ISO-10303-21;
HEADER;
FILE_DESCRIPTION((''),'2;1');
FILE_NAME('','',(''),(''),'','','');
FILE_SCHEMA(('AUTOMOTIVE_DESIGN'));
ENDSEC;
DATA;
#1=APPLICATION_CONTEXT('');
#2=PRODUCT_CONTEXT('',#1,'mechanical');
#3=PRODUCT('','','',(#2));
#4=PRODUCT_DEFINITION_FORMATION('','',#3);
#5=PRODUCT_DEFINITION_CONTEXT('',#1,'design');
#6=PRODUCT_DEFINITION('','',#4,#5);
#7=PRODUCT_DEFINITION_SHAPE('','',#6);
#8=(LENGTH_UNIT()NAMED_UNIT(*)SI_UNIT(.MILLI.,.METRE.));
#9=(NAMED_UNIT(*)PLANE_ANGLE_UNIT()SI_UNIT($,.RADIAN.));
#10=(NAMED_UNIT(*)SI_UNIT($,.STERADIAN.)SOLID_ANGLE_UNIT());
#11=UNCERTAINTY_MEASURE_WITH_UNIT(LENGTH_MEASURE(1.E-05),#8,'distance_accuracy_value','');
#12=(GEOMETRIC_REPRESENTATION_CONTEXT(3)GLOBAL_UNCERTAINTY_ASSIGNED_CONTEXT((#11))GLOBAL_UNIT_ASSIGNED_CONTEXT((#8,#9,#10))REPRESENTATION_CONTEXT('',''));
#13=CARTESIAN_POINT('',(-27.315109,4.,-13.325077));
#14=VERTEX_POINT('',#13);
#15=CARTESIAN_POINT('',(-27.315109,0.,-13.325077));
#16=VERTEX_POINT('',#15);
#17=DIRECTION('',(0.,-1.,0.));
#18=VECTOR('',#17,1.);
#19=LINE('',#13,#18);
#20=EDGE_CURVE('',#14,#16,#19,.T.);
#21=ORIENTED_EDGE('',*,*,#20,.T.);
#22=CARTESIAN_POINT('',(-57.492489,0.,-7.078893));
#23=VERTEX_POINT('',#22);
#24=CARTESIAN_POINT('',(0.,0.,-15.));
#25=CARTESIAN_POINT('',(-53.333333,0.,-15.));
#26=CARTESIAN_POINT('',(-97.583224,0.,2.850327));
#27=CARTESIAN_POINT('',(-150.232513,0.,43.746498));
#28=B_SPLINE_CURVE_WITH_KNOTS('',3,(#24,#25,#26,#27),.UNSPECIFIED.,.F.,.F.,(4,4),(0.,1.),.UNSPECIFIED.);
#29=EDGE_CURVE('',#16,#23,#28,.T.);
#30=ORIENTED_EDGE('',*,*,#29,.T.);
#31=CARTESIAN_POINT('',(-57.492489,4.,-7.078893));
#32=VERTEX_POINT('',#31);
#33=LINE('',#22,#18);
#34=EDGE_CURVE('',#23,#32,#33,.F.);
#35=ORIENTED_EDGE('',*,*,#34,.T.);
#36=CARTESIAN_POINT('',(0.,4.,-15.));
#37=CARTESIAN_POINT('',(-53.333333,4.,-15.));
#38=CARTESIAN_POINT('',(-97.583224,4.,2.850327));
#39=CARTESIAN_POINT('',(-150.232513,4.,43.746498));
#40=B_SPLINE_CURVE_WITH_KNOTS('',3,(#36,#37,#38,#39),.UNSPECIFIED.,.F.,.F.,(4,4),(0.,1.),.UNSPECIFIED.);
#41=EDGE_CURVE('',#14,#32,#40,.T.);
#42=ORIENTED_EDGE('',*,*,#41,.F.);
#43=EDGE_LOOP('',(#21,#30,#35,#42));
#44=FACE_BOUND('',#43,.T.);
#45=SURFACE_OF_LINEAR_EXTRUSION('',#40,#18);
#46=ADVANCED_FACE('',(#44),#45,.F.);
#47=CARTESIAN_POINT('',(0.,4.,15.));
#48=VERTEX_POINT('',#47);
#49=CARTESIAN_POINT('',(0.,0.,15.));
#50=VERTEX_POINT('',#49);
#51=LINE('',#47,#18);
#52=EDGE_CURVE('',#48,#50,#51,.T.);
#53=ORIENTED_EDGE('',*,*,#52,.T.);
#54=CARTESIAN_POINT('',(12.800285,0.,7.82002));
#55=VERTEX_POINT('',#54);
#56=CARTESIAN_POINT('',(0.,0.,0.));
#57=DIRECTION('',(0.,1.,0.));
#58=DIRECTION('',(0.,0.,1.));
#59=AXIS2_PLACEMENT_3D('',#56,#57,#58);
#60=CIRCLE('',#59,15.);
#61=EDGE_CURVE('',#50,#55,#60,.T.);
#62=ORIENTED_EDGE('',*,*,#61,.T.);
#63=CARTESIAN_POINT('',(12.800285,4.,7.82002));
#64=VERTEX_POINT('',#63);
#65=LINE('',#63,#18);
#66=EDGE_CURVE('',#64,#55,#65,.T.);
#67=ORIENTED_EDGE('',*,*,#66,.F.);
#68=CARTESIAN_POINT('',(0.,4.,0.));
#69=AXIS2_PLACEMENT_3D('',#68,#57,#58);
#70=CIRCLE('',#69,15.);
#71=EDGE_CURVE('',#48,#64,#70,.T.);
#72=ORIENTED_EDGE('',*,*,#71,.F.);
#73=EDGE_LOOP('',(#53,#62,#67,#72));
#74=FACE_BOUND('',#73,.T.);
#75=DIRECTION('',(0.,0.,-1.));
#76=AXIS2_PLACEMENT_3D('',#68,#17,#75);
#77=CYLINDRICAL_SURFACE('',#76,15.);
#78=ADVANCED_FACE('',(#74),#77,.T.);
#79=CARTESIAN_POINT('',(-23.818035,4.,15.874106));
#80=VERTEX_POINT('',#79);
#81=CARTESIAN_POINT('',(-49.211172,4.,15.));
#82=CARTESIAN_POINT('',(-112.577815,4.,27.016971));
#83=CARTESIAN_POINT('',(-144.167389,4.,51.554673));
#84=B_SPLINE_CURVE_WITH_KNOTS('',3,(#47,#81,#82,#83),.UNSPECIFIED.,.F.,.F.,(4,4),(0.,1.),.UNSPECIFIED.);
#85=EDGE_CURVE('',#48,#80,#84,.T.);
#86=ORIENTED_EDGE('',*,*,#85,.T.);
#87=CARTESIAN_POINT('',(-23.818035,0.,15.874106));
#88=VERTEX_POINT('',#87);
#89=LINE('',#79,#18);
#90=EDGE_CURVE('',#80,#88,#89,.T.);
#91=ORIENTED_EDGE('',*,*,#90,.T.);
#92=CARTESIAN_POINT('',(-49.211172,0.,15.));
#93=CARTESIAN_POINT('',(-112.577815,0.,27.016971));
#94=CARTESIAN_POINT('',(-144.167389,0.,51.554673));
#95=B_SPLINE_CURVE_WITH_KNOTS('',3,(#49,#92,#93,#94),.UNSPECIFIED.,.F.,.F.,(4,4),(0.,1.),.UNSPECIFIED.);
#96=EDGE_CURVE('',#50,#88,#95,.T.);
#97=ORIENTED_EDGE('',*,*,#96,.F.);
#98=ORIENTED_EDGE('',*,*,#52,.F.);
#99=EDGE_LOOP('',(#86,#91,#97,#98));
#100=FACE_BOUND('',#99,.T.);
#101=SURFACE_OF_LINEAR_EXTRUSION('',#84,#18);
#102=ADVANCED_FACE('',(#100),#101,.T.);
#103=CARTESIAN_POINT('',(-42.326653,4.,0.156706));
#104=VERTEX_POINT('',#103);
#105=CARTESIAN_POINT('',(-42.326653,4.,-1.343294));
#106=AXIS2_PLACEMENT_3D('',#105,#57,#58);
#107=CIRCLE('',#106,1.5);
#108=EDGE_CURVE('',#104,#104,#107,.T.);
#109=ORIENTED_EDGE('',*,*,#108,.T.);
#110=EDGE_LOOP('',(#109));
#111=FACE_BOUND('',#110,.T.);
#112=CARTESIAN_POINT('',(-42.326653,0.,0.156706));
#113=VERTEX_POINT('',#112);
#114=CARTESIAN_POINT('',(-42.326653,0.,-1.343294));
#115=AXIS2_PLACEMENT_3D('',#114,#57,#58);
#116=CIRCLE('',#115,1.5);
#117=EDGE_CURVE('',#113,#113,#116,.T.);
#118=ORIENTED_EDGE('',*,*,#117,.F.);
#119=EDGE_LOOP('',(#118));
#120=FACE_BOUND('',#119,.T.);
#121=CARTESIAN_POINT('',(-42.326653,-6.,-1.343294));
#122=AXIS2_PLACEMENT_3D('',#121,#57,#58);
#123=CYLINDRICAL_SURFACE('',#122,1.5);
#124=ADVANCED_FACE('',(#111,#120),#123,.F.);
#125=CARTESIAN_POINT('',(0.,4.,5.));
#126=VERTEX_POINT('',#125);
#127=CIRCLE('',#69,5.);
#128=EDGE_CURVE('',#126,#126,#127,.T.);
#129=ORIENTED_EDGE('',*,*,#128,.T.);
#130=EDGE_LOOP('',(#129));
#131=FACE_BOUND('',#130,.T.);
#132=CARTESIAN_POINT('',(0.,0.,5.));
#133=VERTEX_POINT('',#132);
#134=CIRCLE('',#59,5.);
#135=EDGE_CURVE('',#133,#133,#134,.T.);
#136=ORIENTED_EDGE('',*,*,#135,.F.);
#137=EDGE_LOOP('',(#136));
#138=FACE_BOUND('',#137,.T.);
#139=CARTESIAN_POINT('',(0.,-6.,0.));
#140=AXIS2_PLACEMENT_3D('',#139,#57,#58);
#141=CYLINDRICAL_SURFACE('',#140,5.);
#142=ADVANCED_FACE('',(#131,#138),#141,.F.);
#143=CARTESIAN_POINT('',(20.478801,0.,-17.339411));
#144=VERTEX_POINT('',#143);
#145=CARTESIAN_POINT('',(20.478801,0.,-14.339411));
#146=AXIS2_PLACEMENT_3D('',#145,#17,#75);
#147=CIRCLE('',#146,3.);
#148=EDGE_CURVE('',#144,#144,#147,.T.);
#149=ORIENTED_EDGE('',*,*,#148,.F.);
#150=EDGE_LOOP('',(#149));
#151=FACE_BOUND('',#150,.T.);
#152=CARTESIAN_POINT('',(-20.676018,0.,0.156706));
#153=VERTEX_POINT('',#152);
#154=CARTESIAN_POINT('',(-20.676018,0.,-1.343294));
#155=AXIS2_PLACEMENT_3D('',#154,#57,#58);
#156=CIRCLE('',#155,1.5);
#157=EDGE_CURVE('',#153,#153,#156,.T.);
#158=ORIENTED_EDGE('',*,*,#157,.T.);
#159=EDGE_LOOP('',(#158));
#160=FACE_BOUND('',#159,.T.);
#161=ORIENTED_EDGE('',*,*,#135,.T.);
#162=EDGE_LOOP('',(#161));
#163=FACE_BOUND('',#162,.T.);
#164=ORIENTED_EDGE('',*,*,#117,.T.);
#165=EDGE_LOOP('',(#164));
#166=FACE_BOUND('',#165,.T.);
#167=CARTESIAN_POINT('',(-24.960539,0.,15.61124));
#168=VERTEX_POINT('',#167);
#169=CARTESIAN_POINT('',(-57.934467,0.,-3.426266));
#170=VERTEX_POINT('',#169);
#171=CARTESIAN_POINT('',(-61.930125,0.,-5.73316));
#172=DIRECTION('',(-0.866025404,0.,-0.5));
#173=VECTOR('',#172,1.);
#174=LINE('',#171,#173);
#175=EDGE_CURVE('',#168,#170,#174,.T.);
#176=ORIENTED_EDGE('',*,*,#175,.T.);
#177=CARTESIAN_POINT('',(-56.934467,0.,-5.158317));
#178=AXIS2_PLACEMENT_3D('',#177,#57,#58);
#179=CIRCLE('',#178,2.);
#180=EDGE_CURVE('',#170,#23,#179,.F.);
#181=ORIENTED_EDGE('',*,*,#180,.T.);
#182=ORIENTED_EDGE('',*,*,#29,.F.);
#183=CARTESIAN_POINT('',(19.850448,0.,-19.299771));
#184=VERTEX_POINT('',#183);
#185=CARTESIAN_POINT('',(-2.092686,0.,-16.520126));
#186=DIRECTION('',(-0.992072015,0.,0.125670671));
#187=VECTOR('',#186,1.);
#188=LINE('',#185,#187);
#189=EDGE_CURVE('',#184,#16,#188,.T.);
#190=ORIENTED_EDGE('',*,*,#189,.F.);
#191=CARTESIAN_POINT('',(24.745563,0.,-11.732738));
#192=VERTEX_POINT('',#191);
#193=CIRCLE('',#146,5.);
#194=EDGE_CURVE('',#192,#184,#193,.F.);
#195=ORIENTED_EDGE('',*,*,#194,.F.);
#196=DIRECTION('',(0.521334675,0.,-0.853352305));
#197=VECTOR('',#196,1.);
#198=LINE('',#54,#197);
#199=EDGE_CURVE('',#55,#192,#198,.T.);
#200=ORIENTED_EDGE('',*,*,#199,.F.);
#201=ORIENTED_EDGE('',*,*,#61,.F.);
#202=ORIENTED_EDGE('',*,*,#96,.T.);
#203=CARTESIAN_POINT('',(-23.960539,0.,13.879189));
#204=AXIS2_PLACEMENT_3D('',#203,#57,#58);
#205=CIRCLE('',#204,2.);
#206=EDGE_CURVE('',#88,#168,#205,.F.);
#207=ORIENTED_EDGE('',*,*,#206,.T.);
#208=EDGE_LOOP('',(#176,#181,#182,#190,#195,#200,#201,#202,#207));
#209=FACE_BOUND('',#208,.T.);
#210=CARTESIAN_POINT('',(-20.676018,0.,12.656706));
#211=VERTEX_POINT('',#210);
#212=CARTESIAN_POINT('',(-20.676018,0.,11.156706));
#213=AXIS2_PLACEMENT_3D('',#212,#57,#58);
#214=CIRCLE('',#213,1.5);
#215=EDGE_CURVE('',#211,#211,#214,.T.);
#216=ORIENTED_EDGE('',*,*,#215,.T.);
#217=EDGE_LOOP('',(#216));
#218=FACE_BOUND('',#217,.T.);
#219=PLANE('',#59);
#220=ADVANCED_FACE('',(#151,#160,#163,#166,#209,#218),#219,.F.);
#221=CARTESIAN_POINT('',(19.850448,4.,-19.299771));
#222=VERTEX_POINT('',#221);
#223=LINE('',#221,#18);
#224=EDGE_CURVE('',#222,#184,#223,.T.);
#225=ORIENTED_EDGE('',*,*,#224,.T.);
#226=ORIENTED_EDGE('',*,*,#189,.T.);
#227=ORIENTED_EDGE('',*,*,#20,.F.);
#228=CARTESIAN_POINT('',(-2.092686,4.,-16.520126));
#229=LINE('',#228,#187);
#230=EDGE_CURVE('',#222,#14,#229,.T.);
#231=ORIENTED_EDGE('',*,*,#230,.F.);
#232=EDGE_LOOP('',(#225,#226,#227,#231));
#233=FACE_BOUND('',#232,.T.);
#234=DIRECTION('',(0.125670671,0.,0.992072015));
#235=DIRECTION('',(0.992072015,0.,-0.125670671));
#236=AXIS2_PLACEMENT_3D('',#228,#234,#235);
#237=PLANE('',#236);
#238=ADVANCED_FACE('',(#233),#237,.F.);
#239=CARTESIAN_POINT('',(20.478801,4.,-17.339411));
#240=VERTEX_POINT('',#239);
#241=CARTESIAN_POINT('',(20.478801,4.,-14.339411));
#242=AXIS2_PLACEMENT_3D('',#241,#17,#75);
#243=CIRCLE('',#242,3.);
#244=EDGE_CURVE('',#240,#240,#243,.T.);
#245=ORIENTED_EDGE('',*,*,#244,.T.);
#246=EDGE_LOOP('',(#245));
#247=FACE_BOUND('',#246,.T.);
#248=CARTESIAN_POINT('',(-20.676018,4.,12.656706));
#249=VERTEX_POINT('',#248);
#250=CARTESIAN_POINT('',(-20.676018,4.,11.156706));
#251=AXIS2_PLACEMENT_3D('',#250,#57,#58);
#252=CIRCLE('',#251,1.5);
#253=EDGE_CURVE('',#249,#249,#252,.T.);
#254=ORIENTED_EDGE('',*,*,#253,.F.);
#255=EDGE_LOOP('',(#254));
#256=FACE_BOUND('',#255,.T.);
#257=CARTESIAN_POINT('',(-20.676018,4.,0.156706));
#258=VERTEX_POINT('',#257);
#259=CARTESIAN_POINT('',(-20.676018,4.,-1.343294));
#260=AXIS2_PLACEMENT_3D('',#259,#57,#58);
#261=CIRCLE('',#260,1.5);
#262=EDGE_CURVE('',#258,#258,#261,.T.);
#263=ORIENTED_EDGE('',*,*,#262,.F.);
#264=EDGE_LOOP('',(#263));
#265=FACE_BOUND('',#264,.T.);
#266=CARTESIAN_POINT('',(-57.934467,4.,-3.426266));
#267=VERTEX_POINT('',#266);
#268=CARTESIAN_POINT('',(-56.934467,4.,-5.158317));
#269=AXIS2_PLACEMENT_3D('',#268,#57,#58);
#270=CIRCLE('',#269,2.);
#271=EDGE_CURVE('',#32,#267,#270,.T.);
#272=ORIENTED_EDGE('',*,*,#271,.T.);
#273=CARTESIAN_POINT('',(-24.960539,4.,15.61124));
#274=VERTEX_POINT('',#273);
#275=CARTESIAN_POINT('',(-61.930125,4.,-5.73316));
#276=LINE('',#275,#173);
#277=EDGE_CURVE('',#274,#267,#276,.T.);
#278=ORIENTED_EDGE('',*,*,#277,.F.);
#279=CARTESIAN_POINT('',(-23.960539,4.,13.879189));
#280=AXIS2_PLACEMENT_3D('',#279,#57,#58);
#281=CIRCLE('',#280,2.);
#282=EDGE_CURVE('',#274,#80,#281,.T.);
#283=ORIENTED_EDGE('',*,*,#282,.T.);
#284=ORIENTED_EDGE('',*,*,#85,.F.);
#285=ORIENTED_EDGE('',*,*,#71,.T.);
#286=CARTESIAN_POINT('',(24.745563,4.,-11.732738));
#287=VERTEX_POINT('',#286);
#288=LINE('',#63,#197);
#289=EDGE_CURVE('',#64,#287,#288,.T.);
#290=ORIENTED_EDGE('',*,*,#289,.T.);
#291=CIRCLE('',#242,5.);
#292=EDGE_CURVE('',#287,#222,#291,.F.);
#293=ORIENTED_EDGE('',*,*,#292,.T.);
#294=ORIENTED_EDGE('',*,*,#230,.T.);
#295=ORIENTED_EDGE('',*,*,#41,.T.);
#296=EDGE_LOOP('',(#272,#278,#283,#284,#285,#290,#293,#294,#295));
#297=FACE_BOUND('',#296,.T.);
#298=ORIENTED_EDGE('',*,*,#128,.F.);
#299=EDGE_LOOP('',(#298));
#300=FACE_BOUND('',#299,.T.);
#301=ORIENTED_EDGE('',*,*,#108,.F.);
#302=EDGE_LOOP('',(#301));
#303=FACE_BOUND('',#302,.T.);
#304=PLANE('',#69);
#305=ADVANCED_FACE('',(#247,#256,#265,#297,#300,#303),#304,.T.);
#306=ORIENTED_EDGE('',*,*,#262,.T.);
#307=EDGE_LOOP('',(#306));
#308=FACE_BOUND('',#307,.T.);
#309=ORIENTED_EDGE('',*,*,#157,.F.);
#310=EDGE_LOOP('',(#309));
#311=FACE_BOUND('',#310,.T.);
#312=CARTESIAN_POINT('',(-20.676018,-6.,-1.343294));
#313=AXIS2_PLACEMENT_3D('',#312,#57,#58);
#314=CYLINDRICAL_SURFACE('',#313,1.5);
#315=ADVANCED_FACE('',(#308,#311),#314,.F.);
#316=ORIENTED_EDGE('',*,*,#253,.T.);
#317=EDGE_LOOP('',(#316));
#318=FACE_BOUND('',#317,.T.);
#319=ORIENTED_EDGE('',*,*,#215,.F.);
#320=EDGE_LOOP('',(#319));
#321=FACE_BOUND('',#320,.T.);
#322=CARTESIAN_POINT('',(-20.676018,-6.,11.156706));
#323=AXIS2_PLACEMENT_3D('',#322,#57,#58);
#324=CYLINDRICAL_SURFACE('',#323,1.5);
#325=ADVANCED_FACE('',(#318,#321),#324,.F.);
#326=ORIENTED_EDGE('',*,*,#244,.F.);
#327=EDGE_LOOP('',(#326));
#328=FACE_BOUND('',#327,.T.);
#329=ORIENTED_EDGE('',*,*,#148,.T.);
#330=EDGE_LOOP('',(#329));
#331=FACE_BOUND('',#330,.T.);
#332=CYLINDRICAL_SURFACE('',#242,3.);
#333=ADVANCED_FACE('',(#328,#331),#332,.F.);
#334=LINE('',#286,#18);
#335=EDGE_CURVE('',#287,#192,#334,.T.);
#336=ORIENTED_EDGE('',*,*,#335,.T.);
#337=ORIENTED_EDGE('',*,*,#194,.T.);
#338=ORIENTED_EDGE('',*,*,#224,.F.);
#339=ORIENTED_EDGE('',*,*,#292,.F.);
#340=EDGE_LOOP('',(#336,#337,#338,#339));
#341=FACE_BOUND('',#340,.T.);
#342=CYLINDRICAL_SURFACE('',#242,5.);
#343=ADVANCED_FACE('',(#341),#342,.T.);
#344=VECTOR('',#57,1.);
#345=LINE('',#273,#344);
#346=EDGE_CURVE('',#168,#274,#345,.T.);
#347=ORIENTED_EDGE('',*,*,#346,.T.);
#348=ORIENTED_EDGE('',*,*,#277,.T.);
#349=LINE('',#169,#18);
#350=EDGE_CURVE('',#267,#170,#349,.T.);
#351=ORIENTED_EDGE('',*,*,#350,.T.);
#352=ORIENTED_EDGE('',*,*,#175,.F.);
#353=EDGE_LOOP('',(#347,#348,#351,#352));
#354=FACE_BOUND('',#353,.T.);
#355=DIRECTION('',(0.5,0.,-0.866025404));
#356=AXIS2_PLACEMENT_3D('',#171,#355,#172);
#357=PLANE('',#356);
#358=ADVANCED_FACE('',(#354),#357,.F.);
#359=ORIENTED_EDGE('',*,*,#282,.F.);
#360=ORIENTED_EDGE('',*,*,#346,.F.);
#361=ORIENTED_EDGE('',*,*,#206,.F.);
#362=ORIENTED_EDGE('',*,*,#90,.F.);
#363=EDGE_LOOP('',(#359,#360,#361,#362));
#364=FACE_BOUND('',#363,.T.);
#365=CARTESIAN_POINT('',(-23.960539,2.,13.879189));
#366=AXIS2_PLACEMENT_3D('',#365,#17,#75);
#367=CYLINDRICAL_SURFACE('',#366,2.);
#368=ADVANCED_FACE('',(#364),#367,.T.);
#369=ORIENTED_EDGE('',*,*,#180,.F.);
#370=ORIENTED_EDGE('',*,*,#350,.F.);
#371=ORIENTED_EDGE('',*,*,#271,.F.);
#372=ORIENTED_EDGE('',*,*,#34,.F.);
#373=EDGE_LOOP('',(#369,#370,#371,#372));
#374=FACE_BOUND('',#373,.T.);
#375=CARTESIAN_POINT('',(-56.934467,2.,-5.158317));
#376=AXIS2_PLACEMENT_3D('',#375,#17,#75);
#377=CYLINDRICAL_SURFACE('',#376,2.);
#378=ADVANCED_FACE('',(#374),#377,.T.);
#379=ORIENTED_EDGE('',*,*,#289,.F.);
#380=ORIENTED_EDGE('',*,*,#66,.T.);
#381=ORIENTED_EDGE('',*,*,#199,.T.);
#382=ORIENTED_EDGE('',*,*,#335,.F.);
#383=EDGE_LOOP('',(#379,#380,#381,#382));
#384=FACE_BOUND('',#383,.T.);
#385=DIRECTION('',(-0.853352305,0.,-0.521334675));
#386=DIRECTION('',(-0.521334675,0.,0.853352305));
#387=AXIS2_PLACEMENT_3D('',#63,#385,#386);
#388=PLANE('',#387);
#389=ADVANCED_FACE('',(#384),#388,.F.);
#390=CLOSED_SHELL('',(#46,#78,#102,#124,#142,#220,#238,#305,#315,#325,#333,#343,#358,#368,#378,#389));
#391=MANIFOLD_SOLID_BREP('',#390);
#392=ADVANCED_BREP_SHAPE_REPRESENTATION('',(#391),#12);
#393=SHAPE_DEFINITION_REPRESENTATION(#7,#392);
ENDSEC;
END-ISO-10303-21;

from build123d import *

# Parameters (mm, degrees)
SKETCH1_R           = 1.5
BOSS_EXTRUDE4_DEPTH = 4
SKETCH2_R           = 3
BOSS_EXTRUDE6_DEPTH = 4
CUT_EXTRUDE4_DEPTH  = 5.0000001
FILLET4_R           = 2
SKETCH7_R           = 5
SKETCH7_R_2         = 1.5
CUT_EXTRUDE3_DEPTH  = 10


with BuildPart() as part:
    # Sketch1 → Boss-Extrude4 (new body)
    with BuildSketch(Plane(origin=(0, 0, 0), x_dir=(1, 0, 0), z_dir=(0, 1, 0))):
        with BuildLine():
            add(Edge.make_bspline(
                [(0, 15), (-53.333333333, 15), (-97.583223813, -2.850327116), (-150.232513174, -43.74649777)],
                knots=[0, 0, 0, 0, 1, 1, 1, 1], degree=3))
            Line((-150.232513174, -43.74649777), (-144.167389057, -51.554673195))
            add(Edge.make_bspline(
                [(0, -15), (-49.211171611, -15), (-112.57781544, -27.016970802), (-144.167389057, -51.554673195)],
                knots=[0, 0, 0, 0, 1, 1, 1, 1], degree=3))
            ThreePointArc((0, -15), (15, 0), (0, 15))
        make_face()
        with Locations((-143.201136916, -44.647893409)):
            Circle(SKETCH1_R, mode=Mode.SUBTRACT)
    extrude(amount=BOSS_EXTRUDE4_DEPTH)

    # Sketch2 → Boss-Extrude6 (add)
    with BuildSketch(Plane.XZ):
        with BuildLine():
            Line((24.745562632, -11.732737533), (12.800284575, 7.820020128))
            ThreePointArc((12.800284575, 7.820020128), (14.439602983, 4.061756478), (15, 0))
            ThreePointArc((15, 0), (10.606601718, -10.606601718), (0, -15))
            add(Edge.make_bspline(
                [(0, -15), (-9.352958156, -15), (-18.426564807, -14.451032409), (-27.315109341, -13.325076493)],
                knots=[0, 0, 0, 0, 0.175367965, 0.175367965, 0.175367965, 0.175367965], degree=3))
            Line((-27.315109341, -13.325076493), (19.850447753, -19.299770983))
            ThreePointArc((19.850447753, -19.299770983), (24.676955739, -17.055197662), (24.745562632, -11.732737533))
        make_face()
        with Locations((20.478801107, -14.339410909)):
            Circle(SKETCH2_R, mode=Mode.SUBTRACT)
    extrude(amount=-BOSS_EXTRUDE6_DEPTH)

    # Sketch8 → Cut-Extrude4 (cut, through all)
    with BuildSketch(Plane(origin=(0, 4, 0), x_dir=(1, 0, 0), z_dir=(0, 1, 0))):
        Polygon((-61.93012476, 5.733160203), (-24.428772421, -15.918255665), (-81.418617577, -101.346773657), (-136.224202564, -112.686812452), (-181.390604498, 23.006558879), align=None)
    extrude(amount=-CUT_EXTRUDE4_DEPTH, mode=Mode.SUBTRACT)

    # Fillet4
    fillet4_edges = [part.edges().sort_by_distance(p)[0] for p in [
        (-61.93012476, 2, -5.733160203),
        (-24.428772421, 2, 15.918255665),
    ]]
    fillet(fillet4_edges, radius=FILLET4_R)

    # Sketch7 → Cut-Extrude3 (cut)
    with BuildSketch(Plane(origin=(0, 4, 0), x_dir=(1, 0, 0), z_dir=(0, 1, 0))):
        Circle(SKETCH7_R)
        with Locations((-42.326653454, 1.343293998)):
            Circle(SKETCH7_R_2)
        with Locations((-20.67601836, -11.156706002)):
            Circle(SKETCH7_R_2)
        with Locations((-20.67601836, 1.343293998)):
            Circle(SKETCH7_R_2)
    extrude(amount=-CUT_EXTRUDE3_DEPTH, mode=Mode.SUBTRACT)


solid = part.part
